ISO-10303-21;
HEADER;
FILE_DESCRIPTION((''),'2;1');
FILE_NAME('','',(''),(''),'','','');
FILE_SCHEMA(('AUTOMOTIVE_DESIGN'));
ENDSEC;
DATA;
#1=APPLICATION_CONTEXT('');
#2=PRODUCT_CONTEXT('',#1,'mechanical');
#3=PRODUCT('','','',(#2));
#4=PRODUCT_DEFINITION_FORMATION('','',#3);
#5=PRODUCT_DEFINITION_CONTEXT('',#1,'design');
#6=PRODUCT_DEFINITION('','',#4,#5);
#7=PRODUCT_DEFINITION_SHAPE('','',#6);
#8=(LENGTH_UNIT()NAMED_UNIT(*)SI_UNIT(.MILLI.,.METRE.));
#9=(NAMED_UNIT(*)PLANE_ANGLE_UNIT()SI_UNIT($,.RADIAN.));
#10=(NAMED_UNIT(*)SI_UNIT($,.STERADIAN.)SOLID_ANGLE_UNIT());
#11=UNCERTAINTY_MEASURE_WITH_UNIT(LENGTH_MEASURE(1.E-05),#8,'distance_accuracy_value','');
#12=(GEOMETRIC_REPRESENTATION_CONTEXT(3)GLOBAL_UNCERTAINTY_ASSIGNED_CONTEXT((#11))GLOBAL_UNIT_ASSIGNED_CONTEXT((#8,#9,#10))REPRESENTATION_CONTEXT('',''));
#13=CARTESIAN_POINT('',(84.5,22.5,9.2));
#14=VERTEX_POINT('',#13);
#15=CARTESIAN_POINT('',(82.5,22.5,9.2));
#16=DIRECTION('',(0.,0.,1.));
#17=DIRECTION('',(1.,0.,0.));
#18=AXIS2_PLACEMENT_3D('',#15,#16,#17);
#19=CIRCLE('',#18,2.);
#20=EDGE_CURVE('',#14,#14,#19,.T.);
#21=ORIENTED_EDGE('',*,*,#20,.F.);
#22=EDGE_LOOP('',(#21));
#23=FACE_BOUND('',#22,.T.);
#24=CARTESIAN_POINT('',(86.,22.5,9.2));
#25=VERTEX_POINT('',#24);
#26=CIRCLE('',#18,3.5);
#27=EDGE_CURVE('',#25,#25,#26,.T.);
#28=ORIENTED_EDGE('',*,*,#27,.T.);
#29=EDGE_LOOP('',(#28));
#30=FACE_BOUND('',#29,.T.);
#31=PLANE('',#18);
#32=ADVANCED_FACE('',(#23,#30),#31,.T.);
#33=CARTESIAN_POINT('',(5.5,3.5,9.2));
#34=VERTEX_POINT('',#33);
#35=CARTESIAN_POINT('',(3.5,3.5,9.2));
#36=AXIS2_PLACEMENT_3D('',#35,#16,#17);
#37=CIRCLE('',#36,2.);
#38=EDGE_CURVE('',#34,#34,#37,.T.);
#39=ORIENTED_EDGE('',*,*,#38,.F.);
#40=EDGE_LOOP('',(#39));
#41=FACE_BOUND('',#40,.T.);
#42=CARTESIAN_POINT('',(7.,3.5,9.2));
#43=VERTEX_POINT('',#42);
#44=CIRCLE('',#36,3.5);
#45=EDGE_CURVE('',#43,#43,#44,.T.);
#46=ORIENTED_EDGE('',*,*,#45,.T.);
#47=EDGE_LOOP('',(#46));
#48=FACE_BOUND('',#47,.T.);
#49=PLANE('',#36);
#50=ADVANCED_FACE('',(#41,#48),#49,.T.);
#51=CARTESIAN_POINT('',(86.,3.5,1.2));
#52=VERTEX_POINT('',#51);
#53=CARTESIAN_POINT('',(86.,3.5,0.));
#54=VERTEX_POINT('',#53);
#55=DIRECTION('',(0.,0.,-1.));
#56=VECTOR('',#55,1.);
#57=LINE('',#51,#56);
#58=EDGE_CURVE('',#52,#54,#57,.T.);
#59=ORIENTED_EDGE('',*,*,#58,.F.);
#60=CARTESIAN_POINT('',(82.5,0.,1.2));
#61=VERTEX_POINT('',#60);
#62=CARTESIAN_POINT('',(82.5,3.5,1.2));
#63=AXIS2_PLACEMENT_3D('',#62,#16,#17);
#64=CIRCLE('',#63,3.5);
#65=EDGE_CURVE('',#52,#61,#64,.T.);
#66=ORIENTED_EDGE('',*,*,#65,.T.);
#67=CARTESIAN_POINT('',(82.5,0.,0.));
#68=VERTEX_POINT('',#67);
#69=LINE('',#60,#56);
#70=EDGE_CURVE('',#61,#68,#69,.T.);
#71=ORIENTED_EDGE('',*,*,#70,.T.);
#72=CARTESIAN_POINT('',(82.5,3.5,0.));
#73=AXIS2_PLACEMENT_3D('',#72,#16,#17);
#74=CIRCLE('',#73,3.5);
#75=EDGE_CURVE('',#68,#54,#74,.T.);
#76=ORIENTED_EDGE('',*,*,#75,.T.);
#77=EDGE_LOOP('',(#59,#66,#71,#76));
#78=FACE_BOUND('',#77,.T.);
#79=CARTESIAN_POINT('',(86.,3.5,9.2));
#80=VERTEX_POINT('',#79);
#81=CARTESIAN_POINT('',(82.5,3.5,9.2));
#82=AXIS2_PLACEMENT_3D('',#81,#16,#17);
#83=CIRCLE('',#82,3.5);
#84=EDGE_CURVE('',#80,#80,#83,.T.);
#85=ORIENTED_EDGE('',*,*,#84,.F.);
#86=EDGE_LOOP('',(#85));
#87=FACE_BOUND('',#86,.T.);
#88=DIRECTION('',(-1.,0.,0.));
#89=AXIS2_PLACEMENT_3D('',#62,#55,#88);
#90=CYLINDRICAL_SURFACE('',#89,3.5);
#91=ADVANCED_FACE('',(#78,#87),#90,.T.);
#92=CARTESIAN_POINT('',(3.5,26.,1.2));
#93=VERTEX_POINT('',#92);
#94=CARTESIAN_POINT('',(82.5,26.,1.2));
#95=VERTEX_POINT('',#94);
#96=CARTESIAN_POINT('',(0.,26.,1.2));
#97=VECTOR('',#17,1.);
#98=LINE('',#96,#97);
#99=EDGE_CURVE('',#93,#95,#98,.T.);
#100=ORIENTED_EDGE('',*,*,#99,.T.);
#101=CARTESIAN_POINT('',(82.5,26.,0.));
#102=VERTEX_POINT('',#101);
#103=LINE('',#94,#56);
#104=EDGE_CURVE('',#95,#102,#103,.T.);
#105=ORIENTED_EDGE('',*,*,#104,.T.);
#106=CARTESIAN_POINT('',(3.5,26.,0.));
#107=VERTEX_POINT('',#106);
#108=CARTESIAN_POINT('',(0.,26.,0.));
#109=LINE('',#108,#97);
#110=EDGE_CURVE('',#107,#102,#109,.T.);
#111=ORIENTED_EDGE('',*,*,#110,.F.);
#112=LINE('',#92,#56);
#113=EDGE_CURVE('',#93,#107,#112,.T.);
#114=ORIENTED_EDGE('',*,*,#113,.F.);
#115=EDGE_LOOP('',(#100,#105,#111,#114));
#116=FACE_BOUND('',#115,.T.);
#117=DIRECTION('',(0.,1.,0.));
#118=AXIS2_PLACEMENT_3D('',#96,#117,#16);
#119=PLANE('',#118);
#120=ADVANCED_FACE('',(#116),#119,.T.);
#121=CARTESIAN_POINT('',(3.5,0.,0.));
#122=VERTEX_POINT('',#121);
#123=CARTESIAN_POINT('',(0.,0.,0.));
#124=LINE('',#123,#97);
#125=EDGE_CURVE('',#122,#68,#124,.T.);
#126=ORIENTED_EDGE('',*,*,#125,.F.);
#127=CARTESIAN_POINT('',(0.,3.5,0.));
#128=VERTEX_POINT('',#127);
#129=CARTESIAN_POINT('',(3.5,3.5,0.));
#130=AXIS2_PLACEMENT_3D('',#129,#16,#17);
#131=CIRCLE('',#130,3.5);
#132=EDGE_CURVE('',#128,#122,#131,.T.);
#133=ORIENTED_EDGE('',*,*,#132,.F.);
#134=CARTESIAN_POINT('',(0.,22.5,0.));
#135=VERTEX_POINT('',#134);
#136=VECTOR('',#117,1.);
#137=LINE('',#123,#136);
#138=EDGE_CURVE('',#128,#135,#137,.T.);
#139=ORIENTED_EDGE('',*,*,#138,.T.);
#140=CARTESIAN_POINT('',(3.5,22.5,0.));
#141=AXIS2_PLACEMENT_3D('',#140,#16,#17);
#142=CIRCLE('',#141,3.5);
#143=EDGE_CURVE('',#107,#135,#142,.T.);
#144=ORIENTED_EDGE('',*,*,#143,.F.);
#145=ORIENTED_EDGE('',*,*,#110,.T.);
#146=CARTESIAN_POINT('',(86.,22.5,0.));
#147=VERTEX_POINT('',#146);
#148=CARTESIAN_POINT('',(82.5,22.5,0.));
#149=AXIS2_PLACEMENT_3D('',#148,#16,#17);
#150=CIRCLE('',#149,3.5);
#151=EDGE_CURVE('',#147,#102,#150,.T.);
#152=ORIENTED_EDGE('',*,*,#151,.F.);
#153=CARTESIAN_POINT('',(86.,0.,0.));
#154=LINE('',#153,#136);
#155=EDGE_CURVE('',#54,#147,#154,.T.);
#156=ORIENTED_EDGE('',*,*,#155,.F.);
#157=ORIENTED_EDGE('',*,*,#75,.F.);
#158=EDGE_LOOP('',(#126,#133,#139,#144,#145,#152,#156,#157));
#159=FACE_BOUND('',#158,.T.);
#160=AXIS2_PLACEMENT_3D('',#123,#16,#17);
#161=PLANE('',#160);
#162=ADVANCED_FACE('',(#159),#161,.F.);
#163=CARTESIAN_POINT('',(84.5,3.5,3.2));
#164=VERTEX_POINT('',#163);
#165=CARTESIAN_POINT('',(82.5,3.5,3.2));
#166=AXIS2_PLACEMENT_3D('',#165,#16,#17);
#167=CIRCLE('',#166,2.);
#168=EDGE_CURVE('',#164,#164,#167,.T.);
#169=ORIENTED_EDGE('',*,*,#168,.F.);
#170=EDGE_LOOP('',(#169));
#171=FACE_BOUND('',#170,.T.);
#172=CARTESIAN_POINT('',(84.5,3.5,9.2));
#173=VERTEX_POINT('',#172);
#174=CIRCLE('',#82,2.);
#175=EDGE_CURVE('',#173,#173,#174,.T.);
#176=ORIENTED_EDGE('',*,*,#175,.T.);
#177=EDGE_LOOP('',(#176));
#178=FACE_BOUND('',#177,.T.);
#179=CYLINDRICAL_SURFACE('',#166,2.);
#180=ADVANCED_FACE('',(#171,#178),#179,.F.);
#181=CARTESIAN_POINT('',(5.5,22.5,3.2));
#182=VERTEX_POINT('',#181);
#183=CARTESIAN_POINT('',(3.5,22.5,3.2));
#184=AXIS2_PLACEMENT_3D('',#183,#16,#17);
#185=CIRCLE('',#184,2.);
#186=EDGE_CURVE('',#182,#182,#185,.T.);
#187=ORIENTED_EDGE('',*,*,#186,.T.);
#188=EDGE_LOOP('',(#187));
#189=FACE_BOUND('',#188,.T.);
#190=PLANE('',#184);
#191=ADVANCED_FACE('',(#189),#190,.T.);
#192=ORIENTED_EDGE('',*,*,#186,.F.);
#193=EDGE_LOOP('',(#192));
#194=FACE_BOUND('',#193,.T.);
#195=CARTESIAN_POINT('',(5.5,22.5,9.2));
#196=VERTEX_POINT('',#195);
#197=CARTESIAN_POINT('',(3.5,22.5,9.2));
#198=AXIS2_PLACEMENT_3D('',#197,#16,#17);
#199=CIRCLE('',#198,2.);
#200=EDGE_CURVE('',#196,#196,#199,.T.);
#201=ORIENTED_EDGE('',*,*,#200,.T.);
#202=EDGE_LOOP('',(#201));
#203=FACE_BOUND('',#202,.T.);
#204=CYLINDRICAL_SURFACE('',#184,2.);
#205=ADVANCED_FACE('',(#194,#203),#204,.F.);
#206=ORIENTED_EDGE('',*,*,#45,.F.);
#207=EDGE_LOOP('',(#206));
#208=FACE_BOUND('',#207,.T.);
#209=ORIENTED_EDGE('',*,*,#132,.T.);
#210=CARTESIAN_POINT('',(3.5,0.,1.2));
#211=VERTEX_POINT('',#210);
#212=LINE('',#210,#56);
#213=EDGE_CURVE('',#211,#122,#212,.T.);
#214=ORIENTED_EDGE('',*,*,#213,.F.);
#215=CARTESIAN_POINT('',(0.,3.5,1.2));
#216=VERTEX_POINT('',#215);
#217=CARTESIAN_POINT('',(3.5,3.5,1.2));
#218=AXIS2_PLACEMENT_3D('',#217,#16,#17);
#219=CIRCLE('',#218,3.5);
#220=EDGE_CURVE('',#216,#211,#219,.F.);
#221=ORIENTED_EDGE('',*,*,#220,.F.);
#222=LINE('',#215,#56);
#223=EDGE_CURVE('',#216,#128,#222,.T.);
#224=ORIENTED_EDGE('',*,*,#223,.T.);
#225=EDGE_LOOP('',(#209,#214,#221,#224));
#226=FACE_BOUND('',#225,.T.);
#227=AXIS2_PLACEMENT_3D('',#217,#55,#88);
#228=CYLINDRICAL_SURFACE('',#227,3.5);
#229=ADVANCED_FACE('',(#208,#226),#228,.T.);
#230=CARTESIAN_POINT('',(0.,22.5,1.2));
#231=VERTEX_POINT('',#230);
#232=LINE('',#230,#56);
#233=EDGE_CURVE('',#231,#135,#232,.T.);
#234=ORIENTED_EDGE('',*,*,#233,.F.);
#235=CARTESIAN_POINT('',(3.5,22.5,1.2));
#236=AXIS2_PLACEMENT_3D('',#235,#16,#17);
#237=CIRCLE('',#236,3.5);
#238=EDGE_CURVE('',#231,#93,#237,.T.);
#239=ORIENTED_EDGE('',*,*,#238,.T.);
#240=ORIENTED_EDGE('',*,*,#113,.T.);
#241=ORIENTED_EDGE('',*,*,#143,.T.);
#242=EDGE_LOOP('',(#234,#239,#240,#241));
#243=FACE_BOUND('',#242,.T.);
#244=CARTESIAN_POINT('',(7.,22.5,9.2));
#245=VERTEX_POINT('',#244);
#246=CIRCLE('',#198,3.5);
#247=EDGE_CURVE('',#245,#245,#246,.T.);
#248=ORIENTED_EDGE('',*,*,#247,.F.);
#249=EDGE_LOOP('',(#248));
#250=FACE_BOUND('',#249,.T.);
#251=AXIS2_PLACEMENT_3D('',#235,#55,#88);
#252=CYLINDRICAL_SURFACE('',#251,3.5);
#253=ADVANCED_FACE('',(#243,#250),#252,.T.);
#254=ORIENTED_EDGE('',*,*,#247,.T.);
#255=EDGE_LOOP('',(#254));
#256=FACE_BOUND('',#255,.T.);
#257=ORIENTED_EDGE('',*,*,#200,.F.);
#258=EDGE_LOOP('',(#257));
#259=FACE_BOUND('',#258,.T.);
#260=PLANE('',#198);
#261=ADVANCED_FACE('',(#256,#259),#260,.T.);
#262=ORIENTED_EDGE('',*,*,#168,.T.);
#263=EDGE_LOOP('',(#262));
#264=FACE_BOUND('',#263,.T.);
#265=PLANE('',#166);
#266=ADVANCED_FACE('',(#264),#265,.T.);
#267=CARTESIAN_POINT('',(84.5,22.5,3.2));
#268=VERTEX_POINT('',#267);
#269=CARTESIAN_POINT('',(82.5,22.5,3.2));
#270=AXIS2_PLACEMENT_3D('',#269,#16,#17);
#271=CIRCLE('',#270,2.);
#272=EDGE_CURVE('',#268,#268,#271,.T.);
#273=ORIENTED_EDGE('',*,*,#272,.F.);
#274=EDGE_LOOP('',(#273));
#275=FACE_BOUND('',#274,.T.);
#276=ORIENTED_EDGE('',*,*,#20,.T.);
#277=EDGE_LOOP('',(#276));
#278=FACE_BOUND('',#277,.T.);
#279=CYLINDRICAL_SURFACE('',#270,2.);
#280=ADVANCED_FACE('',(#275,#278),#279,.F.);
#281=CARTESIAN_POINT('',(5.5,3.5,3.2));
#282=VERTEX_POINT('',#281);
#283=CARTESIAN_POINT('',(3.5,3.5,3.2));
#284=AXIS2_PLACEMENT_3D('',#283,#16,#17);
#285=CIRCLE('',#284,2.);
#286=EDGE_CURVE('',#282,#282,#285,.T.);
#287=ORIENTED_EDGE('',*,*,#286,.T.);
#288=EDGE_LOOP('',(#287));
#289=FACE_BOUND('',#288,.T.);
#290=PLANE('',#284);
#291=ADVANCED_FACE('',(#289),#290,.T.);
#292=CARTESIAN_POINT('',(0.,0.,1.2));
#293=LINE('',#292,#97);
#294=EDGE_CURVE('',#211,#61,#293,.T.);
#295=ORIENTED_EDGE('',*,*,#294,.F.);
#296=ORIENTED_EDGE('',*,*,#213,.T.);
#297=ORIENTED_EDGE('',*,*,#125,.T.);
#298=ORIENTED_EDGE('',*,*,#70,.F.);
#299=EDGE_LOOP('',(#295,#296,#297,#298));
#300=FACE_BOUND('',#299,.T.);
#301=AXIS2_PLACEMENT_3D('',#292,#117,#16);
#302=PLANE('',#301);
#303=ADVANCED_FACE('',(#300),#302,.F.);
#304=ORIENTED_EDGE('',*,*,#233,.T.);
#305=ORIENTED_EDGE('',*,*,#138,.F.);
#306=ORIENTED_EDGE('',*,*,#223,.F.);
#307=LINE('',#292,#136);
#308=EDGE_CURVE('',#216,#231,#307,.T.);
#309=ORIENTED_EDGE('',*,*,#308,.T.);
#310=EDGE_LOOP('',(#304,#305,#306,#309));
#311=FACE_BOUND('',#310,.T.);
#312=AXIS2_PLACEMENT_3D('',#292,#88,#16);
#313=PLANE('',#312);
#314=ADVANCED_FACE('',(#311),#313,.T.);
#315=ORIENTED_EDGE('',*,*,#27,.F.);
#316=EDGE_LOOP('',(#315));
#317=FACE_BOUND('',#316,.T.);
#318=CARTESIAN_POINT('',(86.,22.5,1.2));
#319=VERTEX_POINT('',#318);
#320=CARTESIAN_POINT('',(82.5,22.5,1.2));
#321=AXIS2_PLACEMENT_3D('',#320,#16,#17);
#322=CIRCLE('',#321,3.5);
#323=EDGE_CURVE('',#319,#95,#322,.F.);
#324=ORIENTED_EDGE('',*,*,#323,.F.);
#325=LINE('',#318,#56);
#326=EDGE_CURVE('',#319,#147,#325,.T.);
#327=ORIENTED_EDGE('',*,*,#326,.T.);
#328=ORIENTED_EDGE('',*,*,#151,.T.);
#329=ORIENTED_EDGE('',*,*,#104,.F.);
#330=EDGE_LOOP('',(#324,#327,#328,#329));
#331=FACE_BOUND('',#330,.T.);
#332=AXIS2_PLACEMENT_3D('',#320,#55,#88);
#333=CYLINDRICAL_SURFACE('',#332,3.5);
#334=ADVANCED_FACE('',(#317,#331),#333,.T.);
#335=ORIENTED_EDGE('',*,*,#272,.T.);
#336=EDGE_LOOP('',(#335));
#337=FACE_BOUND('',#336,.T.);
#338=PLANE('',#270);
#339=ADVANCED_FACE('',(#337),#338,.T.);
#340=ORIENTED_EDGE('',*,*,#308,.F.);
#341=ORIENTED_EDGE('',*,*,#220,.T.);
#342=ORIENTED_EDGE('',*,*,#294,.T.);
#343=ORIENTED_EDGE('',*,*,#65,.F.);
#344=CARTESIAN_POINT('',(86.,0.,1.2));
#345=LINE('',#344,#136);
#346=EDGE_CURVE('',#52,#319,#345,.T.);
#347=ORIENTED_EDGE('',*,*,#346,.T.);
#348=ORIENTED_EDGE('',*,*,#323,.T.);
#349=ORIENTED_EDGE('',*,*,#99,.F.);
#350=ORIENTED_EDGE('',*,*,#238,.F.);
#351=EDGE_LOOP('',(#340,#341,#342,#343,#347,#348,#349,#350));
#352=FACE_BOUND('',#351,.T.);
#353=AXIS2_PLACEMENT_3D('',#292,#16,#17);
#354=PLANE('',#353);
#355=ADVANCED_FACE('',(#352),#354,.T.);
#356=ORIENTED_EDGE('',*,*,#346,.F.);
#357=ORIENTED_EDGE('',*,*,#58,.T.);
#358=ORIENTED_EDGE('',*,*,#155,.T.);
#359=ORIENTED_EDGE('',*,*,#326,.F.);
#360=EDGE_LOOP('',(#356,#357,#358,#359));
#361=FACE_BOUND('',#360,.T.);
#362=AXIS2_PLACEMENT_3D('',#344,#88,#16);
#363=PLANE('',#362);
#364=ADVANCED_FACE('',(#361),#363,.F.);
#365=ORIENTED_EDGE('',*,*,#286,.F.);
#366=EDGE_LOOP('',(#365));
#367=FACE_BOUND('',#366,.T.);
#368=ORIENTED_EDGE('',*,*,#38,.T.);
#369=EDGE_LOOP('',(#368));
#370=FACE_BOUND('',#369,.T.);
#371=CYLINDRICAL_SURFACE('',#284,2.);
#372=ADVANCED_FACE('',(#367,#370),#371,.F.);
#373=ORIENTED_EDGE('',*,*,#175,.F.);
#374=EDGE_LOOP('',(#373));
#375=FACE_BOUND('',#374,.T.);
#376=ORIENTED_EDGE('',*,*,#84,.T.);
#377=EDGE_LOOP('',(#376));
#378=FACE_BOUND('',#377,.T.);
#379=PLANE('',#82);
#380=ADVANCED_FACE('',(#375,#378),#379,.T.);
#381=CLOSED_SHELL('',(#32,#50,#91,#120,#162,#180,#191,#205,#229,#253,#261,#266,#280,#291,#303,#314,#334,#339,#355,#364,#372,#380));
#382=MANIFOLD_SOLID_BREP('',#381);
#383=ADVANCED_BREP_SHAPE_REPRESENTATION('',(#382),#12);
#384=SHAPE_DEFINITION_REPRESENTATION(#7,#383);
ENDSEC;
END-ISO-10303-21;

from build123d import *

# Parameters (mm, degrees)
EXTRUDE_1_DEPTH     = 1.2
EXTRUDE_START       = 1.2
SKETCH_1_3_R        = 3.5
EXTRUDE_2_DEPTH     = 8
SKETCH_2_R          = 2
CUT_EXTRUDE_1_DEPTH = 6


with BuildPart() as part:
    # Эскиз1 → Бобышка-Вытянуть1 (new body)
    with BuildSketch(Plane.XY):
        with BuildLine():
            Line((0, 22.5), (0, 3.5))
            ThreePointArc((0, 3.5), (1.025126266, 1.025126266), (3.5, 0))
            Line((3.5, 0), (82.5, 0))
            ThreePointArc((82.5, 0), (84.974873734, 1.025126266), (86, 3.5))
            Line((86, 3.5), (86, 22.5))
            ThreePointArc((86, 22.5), (84.974873734, 24.974873734), (82.5, 26))
            Line((82.5, 26), (3.5, 26))
            ThreePointArc((3.5, 26), (1.025126266, 24.974873734), (0, 22.5))
        make_face()
    extrude(amount=EXTRUDE_1_DEPTH)

    # Эскиз1<3> → Бобышка-Вытянуть2 (add)
    with BuildSketch(Plane.XY.offset(EXTRUDE_START)):
        with Locations((82.5, 22.5)):
            Circle(SKETCH_1_3_R)
        with Locations((82.5, 3.5)):
            Circle(SKETCH_1_3_R)
        with Locations((3.5, 22.5)):
            Circle(SKETCH_1_3_R)
        with Locations((3.5, 3.5)):
            Circle(SKETCH_1_3_R)
    extrude(amount=EXTRUDE_2_DEPTH)

    # Эскиз2 → Вырез-Вытянуть1 (cut)
    with BuildSketch(Plane.XY.offset(9.2)):
        with Locations((3.5, 22.5)):
            Circle(SKETCH_2_R)
        with Locations((3.5, 3.5)):
            Circle(SKETCH_2_R)
        with Locations((82.5, 22.5)):
            Circle(SKETCH_2_R)
        with Locations((82.5, 3.5)):
            Circle(SKETCH_2_R)
    extrude(amount=-CUT_EXTRUDE_1_DEPTH, mode=Mode.SUBTRACT)


solid = part.part
